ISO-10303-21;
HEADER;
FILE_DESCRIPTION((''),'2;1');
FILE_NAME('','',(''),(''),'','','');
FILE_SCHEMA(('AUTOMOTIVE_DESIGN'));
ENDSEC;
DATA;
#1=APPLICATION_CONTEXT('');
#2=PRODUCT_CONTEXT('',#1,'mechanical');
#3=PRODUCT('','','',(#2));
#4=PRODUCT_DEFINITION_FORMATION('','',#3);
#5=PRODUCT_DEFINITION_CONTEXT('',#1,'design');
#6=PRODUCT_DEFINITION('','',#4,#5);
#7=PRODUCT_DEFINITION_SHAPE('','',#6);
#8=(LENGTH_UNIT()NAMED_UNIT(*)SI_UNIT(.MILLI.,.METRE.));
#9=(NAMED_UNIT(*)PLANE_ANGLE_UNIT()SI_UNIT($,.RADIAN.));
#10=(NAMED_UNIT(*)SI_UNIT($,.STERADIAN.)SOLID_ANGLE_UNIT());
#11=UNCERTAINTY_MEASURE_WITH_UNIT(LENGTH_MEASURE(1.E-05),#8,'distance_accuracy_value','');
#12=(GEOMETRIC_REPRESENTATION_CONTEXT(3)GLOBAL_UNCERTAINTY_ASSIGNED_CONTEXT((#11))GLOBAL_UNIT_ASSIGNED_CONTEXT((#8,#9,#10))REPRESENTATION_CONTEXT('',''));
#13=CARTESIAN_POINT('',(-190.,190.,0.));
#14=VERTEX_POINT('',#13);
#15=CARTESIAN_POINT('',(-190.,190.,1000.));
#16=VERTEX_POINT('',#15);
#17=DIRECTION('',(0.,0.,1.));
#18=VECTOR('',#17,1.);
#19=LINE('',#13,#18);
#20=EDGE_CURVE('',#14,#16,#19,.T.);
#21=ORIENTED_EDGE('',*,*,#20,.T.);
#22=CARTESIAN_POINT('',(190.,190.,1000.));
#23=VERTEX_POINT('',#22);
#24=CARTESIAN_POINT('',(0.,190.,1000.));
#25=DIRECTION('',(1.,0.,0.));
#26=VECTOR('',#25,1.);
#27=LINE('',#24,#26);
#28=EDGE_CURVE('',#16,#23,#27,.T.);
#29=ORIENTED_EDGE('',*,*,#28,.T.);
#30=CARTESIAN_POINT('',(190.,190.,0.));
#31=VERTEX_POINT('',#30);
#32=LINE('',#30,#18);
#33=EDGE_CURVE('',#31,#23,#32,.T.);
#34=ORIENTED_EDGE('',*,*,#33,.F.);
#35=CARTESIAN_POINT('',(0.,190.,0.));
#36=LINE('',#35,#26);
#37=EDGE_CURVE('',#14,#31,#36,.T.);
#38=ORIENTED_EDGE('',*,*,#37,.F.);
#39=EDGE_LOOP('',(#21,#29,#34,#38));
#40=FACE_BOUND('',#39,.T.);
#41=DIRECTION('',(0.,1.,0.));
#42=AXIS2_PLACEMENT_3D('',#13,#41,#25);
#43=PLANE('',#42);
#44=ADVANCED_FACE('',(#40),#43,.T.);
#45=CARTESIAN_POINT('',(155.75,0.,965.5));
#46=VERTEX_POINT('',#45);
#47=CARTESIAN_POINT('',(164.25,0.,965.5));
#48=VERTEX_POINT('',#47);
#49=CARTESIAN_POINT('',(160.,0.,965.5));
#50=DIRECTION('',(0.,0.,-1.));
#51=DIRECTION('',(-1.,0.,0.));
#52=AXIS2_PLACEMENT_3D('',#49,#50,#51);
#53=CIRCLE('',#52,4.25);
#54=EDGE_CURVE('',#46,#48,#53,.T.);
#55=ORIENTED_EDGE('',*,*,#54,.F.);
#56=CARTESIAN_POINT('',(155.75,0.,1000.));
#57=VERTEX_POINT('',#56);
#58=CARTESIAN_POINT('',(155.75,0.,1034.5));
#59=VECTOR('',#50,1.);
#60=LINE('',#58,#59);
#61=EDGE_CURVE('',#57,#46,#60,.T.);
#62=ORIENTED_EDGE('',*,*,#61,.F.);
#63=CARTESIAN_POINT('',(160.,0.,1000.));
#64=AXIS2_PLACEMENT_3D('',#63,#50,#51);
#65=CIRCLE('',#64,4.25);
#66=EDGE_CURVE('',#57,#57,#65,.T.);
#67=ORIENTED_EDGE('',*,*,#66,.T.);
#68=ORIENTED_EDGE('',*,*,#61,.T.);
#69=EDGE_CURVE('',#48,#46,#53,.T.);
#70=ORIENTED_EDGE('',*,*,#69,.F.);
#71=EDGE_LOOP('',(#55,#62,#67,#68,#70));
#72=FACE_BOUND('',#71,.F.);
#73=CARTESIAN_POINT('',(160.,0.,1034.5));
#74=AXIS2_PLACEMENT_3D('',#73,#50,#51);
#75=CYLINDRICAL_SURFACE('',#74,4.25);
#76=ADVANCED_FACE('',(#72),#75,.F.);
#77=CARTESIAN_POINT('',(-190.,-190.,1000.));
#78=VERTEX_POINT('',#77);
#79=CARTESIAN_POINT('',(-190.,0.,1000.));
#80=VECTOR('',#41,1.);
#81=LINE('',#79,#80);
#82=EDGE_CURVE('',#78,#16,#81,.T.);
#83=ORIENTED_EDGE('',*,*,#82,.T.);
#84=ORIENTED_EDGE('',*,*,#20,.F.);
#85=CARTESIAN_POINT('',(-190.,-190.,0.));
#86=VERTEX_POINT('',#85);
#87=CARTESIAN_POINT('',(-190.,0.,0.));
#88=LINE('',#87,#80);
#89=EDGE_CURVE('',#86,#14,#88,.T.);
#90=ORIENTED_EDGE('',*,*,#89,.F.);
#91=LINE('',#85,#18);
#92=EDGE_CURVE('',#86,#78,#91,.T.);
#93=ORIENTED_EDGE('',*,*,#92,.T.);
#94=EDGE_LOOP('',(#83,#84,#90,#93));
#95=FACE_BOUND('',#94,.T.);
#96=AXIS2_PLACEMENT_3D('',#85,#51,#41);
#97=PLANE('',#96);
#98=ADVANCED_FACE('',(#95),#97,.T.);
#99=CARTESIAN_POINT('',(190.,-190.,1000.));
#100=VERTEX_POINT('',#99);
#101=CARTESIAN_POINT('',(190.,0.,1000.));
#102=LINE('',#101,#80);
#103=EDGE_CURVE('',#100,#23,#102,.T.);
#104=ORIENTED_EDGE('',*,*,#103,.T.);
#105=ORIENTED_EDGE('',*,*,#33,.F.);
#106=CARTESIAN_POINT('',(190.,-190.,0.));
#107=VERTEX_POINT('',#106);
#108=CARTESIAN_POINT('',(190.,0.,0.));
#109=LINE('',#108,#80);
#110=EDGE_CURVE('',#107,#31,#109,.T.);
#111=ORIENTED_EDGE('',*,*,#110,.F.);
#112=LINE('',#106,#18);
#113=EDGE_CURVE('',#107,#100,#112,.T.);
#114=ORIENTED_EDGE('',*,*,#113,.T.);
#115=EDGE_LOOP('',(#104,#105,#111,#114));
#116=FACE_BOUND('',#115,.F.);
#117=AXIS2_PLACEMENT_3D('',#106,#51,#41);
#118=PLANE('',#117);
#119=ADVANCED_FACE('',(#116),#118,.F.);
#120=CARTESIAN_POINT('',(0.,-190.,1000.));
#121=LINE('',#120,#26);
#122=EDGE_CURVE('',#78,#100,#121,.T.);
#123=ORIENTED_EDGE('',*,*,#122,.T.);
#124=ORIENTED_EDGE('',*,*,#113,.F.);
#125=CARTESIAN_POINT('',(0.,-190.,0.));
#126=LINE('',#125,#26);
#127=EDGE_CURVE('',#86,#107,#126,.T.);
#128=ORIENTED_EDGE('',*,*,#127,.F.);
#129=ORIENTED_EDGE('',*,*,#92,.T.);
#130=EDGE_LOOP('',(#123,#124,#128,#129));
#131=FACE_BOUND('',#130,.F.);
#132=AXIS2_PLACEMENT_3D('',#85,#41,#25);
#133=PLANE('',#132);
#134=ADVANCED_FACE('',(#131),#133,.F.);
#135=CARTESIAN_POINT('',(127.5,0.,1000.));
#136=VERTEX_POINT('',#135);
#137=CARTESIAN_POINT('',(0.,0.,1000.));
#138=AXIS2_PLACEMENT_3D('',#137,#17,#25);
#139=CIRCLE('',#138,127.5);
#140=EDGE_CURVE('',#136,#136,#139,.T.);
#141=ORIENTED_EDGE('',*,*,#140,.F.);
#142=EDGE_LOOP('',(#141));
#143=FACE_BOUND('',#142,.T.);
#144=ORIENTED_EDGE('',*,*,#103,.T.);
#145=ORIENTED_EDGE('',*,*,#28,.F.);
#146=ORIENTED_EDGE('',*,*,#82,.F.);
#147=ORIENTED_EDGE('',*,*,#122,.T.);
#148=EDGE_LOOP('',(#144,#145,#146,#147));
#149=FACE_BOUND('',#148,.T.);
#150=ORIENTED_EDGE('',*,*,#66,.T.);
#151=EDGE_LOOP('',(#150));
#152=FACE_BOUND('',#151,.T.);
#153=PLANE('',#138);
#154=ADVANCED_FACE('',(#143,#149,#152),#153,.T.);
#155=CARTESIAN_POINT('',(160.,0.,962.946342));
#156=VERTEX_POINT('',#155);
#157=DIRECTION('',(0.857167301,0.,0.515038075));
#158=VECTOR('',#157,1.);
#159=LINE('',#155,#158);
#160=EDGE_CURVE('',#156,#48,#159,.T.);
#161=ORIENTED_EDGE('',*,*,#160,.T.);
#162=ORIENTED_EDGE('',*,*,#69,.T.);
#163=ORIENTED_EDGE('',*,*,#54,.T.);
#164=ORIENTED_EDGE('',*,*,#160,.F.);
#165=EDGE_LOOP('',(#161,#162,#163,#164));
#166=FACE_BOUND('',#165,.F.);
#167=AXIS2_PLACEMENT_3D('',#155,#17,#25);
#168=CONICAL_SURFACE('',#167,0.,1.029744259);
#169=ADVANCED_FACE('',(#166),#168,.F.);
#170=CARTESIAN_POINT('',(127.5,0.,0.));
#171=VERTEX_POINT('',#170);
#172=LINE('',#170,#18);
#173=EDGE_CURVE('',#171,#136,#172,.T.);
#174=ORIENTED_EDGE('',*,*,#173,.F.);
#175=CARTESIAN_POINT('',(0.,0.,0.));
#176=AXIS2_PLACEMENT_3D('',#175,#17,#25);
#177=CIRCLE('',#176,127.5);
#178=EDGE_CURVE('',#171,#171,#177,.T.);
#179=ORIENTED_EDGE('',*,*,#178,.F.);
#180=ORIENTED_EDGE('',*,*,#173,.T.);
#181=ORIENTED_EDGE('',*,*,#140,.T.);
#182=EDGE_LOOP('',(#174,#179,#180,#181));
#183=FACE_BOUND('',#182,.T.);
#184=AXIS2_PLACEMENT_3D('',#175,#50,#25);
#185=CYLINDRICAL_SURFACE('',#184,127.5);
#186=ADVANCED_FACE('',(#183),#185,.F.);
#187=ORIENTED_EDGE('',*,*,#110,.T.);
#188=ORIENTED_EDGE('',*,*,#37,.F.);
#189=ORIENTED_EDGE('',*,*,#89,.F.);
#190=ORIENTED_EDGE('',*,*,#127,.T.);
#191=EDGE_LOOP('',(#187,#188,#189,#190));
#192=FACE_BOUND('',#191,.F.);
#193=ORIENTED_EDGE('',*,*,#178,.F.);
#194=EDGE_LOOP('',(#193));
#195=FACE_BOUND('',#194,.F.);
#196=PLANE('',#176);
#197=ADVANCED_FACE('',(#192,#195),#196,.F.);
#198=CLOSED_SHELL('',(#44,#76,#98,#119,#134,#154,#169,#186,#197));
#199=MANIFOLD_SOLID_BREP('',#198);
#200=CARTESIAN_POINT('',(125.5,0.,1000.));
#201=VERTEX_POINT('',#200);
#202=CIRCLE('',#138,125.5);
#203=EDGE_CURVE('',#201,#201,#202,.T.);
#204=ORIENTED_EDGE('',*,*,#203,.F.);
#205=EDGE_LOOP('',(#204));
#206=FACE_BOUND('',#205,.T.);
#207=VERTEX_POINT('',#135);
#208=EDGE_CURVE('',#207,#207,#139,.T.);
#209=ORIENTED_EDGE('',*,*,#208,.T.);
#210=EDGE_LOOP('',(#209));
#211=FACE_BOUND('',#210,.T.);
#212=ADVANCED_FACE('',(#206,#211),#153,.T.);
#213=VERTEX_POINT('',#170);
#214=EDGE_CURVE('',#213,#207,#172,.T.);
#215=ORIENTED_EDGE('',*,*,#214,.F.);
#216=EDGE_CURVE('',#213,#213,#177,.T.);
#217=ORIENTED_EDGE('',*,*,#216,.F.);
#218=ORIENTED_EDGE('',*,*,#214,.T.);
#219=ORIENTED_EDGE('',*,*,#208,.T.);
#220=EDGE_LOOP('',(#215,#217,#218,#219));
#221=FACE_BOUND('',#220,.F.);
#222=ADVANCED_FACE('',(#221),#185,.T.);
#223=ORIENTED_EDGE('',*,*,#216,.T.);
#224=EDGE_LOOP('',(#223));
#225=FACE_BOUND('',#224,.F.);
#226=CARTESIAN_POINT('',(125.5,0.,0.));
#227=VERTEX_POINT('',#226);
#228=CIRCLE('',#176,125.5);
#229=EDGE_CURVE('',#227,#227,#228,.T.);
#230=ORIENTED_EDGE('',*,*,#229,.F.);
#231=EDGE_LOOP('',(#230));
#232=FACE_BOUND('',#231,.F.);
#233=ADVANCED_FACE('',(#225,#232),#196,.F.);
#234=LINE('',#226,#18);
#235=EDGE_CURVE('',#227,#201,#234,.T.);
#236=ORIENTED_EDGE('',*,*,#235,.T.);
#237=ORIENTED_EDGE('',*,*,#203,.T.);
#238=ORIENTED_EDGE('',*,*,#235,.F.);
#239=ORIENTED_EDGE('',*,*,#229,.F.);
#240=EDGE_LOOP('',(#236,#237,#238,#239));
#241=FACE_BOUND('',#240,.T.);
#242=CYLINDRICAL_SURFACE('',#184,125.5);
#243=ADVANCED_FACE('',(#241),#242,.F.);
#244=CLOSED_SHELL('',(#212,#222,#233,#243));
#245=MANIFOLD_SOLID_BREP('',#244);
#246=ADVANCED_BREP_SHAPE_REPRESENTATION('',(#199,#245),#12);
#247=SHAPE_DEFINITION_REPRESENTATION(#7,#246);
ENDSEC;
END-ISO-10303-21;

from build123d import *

# Parameters (mm, degrees)
F0_W     = 380
F0_H     = 380
F0_R     = 127.5
F1_DEPTH = 1000
F3_D     = 8.5
F3_DEPTH = 34.5
F3_TIP   = 2.5536576309
F4_R     = 127.5
F4_R_2   = 125.5
F5_DEPTH = 1000


with BuildPart() as f1:
    # F0 (on Top) → F1 (new body)
    with BuildSketch(Plane.XY):
        Rectangle(F0_W, F0_H)
        Circle(F0_R, mode=Mode.SUBTRACT)
    extrude(amount=F1_DEPTH)

    # F3
    with Locations(Plane.XY.offset(1000)):
        with Locations((160, 0)):
            Hole(F3_D / 2, depth=F3_DEPTH)
            with Locations((0, 0, -(F3_DEPTH + F3_TIP / 2))):  # 118° drill point
                Cone(0, F3_D / 2, F3_TIP, mode=Mode.SUBTRACT)


with BuildPart() as f5:
    # F4 (on Top) → F5 (new body, through all)
    with BuildSketch(Plane.XY):
        Circle(F4_R)
        Circle(F4_R_2, mode=Mode.SUBTRACT)
    extrude(amount=F5_DEPTH)


solid = Compound([f1.part, f5.part])
